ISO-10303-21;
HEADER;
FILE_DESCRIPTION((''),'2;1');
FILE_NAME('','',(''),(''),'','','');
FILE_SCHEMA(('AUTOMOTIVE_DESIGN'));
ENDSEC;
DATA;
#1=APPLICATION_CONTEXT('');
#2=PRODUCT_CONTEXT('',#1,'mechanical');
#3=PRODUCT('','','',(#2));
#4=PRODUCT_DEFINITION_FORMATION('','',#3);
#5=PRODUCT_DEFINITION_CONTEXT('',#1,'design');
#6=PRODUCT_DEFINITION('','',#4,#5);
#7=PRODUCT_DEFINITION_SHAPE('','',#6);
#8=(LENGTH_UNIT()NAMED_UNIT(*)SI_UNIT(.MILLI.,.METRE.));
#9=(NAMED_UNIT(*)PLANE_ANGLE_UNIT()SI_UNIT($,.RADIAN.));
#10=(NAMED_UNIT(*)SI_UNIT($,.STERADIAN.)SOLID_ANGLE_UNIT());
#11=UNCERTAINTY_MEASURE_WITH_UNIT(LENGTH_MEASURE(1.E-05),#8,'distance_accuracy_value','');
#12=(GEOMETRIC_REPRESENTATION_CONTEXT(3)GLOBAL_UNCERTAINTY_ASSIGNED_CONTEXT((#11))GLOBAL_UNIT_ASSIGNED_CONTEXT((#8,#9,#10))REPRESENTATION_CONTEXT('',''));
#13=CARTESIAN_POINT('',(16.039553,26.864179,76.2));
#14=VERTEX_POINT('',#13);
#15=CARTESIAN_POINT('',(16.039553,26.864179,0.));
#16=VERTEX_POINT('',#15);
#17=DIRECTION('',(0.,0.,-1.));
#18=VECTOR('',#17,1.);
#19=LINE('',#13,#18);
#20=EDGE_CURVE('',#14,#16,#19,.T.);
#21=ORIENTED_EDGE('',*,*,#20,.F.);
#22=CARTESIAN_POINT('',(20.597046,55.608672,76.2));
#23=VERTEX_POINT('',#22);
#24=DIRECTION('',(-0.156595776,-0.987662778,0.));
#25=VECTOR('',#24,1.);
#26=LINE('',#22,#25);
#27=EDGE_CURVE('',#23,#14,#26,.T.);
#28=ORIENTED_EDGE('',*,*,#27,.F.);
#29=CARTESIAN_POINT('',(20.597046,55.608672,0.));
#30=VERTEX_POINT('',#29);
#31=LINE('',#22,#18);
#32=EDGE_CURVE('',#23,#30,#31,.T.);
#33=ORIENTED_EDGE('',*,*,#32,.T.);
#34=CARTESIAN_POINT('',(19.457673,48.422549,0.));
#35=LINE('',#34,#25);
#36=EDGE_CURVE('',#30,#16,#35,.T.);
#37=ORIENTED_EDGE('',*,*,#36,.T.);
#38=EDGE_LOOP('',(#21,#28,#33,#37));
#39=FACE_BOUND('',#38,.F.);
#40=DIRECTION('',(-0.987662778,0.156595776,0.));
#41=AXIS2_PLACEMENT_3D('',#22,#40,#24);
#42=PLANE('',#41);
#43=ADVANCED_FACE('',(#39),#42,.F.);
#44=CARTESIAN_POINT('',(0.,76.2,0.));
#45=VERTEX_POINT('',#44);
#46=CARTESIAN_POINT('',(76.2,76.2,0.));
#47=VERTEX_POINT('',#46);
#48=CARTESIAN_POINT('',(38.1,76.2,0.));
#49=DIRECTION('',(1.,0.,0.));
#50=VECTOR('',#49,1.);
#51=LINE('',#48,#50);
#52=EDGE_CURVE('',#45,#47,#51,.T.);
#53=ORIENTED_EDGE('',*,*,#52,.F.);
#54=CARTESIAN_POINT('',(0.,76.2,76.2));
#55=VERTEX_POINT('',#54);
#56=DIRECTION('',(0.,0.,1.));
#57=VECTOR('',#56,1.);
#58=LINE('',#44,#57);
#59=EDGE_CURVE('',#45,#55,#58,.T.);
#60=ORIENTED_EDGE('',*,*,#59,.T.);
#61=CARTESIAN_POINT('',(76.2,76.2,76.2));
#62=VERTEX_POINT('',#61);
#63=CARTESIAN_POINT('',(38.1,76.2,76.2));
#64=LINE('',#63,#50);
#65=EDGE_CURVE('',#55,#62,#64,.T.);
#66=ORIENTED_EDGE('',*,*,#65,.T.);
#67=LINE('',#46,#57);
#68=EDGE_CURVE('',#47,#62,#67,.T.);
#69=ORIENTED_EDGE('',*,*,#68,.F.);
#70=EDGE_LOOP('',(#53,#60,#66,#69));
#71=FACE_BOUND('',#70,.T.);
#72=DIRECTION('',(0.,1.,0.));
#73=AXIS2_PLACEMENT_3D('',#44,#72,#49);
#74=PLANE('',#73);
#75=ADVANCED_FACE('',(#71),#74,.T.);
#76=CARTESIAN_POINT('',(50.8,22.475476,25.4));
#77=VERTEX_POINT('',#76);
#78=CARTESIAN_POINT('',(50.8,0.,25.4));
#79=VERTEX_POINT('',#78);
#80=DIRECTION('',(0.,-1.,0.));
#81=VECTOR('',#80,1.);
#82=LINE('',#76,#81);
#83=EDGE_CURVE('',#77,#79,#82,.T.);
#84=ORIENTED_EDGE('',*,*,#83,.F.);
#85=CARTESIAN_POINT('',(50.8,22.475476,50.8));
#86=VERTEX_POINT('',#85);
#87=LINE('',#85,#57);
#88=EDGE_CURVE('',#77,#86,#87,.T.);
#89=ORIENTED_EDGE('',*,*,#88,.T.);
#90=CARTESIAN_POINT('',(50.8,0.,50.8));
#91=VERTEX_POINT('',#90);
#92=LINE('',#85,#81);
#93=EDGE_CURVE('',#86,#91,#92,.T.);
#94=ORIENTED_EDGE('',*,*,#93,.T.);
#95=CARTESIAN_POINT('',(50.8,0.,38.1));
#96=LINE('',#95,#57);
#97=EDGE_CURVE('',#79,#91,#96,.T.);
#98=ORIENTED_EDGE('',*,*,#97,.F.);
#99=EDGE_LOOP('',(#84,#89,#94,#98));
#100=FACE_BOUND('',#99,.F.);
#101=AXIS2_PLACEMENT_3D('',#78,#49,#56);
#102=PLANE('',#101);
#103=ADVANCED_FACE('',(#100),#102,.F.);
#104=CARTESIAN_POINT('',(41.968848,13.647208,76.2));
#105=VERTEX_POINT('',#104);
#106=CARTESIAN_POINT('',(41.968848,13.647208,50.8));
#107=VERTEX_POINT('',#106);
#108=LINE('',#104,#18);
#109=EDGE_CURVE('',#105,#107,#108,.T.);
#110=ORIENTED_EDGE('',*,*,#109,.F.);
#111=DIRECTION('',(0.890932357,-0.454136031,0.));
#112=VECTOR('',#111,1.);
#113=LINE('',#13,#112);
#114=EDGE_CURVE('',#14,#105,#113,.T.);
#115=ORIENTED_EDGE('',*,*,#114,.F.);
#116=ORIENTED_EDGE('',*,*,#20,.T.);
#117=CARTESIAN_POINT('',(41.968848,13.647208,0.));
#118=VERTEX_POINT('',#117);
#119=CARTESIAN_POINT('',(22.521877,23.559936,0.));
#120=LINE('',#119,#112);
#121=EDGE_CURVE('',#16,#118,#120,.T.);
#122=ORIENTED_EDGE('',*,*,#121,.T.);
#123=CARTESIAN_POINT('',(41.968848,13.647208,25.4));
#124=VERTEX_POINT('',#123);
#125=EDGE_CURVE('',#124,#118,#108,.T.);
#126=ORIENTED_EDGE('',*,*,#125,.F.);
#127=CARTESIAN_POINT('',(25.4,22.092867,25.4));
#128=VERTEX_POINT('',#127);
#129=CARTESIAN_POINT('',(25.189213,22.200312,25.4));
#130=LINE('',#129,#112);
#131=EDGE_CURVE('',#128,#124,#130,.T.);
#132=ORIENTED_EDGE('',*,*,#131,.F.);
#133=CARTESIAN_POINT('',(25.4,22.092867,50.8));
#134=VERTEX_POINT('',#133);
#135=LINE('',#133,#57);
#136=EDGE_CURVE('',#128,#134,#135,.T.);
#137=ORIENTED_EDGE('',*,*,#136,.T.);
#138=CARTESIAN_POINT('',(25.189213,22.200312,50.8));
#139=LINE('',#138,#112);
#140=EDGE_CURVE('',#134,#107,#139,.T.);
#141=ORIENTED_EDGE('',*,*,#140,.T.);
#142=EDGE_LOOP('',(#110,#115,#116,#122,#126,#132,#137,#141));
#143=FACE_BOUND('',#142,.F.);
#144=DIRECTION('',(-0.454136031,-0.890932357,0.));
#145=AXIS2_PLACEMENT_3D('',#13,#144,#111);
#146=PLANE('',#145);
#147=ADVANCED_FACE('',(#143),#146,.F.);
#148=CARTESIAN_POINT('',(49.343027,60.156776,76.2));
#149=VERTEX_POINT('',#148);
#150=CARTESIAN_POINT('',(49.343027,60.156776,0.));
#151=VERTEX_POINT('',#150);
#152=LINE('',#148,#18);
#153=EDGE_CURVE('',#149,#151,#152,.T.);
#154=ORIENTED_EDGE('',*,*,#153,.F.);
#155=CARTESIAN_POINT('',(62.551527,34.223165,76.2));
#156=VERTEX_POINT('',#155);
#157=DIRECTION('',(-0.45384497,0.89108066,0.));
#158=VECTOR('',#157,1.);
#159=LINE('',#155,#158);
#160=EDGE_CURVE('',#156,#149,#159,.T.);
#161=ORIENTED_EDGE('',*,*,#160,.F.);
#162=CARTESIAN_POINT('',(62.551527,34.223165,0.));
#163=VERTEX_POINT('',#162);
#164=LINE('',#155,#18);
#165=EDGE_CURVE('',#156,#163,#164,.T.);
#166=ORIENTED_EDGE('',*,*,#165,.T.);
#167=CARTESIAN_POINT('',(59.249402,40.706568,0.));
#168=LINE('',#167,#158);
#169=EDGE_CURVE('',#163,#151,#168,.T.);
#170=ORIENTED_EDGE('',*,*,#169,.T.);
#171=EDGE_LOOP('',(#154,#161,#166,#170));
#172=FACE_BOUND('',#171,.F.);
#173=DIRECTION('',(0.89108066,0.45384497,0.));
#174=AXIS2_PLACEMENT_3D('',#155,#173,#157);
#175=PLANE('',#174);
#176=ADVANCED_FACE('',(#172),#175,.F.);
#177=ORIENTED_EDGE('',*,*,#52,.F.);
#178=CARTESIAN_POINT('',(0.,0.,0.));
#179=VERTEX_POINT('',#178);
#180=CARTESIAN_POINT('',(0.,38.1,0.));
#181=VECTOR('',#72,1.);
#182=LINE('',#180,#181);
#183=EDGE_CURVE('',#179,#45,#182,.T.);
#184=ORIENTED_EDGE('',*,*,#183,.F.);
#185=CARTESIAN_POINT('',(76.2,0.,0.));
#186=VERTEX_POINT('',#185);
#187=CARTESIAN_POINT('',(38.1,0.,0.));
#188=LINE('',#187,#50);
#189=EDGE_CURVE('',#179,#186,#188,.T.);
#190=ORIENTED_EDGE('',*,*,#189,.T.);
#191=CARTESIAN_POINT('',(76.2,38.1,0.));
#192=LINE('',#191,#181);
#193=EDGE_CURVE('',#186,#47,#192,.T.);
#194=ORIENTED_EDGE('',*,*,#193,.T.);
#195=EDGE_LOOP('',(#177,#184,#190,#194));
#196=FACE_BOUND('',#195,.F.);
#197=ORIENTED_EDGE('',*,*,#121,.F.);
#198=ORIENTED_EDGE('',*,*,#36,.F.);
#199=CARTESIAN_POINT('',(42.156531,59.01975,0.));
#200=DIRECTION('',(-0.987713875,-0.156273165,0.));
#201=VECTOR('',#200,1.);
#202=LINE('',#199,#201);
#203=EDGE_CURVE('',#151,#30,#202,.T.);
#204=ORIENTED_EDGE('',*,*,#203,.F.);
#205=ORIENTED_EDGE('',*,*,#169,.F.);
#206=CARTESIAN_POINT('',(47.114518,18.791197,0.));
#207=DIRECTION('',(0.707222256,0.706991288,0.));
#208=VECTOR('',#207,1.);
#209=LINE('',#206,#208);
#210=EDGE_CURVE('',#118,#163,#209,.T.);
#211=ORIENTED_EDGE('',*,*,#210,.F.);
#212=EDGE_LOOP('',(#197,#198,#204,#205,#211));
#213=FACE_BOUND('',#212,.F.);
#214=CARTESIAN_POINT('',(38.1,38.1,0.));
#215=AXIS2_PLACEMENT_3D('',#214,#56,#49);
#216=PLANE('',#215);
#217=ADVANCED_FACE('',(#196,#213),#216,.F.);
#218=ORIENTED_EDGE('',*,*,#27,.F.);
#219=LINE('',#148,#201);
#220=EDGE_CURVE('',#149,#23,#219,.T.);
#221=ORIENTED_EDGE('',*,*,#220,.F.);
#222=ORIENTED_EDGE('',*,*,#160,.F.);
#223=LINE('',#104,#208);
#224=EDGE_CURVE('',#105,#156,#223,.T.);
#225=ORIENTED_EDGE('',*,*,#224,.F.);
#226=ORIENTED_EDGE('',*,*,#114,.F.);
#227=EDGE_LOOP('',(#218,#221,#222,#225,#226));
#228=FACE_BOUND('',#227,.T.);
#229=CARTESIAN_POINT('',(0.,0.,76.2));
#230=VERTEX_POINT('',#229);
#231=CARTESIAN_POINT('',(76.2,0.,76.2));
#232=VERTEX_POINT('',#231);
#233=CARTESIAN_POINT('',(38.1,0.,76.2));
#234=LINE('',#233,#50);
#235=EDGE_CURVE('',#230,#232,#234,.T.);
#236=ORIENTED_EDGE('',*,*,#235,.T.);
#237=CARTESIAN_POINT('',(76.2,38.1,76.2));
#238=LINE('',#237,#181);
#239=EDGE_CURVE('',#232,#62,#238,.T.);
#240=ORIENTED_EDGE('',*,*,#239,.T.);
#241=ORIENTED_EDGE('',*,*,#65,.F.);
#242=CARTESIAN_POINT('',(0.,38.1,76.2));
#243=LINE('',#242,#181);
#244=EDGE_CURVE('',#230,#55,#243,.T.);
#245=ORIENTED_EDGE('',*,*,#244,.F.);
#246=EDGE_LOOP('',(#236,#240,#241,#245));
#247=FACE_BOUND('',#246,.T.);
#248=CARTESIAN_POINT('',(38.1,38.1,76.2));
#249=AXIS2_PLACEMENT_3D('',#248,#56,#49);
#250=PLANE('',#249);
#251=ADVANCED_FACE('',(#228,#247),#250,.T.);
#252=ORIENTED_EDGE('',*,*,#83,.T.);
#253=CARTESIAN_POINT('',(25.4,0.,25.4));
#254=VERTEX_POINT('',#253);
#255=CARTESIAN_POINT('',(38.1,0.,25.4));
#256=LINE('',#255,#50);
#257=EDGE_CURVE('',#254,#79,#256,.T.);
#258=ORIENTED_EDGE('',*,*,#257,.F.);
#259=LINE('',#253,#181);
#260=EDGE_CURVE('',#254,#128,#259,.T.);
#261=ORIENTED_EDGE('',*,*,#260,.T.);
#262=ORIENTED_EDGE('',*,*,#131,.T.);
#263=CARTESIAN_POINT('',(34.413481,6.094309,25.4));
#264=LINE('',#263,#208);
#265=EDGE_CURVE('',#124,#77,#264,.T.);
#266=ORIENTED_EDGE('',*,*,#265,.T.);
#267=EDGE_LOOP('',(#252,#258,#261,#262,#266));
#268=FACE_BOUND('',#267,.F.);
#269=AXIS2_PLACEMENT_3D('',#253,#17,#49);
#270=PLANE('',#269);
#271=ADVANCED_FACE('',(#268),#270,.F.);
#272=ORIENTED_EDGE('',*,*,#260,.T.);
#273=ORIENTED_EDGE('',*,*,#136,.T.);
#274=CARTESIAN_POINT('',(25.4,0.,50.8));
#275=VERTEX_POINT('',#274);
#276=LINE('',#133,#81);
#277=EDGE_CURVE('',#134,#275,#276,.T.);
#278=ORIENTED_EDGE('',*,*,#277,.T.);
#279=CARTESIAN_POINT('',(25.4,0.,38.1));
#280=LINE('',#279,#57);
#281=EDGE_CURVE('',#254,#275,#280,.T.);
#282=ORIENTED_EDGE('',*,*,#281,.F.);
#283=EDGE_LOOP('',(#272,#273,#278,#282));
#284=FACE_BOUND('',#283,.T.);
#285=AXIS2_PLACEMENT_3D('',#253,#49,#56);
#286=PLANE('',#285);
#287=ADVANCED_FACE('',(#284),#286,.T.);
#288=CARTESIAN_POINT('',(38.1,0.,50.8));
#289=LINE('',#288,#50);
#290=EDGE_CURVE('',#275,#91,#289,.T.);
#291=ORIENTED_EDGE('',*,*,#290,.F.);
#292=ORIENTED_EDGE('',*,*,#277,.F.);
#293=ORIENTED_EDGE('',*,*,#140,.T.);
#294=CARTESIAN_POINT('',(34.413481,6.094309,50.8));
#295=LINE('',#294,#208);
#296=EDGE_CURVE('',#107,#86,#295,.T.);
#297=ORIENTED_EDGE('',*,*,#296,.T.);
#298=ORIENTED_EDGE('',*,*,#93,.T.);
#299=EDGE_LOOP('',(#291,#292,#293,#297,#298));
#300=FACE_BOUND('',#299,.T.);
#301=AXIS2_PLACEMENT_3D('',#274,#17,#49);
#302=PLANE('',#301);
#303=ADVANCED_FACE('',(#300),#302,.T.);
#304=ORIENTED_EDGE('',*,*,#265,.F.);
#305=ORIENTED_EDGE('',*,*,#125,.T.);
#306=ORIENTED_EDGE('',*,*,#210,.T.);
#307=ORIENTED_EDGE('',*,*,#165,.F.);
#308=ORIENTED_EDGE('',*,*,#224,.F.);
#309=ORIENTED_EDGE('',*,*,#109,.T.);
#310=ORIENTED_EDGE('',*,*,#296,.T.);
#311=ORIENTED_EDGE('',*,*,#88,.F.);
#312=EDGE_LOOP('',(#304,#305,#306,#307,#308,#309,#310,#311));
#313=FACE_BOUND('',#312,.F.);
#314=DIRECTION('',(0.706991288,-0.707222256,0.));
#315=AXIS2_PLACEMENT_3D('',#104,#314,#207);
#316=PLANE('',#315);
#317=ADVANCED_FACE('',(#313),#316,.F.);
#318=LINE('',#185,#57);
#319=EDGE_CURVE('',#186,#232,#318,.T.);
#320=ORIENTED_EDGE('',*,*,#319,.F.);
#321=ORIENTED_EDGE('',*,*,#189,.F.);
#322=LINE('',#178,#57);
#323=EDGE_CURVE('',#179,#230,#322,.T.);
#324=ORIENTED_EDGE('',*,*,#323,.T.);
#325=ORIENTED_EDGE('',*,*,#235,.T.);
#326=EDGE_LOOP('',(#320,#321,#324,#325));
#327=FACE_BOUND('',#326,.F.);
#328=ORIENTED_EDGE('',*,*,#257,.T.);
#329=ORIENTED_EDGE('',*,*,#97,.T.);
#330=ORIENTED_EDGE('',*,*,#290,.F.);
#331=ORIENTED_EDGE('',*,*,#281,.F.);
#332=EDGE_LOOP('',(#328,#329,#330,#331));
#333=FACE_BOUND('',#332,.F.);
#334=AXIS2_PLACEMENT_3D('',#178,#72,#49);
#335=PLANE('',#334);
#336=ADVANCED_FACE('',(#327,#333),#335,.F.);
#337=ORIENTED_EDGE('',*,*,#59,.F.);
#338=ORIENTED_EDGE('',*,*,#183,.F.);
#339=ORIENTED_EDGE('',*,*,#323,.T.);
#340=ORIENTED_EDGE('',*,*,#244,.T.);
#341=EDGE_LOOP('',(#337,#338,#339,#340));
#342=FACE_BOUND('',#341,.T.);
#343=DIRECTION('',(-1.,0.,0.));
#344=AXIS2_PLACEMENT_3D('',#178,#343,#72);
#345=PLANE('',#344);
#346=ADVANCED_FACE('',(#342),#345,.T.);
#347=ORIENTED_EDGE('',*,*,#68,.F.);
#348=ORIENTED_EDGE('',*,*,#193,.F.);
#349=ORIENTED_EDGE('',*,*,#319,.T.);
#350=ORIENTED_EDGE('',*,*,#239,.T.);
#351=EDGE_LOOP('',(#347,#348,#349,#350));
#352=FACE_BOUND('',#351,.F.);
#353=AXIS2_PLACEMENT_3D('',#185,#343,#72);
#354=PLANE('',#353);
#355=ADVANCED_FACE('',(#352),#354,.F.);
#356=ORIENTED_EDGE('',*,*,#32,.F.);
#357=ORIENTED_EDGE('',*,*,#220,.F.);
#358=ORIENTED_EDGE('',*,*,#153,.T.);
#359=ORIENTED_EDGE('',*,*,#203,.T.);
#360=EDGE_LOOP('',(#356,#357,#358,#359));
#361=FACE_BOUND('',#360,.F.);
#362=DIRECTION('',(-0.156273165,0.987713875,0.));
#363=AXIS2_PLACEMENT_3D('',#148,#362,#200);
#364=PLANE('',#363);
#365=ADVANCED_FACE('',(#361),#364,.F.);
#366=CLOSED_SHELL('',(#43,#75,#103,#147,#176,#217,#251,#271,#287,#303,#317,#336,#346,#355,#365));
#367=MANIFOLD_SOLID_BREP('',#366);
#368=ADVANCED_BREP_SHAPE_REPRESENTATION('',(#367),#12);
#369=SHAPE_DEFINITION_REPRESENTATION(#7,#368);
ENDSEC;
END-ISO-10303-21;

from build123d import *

# Parameters (mm, degrees)
F0_W     = 76.2
F0_H     = 76.2
F1_DEPTH = 76.2
F3_DEPTH = 76.201
F4_W     = 25.4
F4_H     = 25.4
F5_DEPTH = 12.7
F6_DEPTH = 25.4


with BuildPart() as f1:
    # F0 (on Top) → F1 (new body)
    with BuildSketch(Plane.XY):
        with Locations((38.1, 38.1)):
            Rectangle(F0_W, F0_H)
    extrude(amount=F1_DEPTH)

    # F2 (on face) → F3 (cut, through all)
    with BuildSketch(Plane.XY.offset(76.2)):
        Polygon((41.968848, 13.647208), (62.551527, 34.223165), (49.343027, 60.156776), (20.597046, 55.608672), (16.039553, 26.864179), align=None)
    extrude(amount=-F3_DEPTH, mode=Mode.SUBTRACT)

    # F4 (on face) → F5 (cut)
    with BuildSketch(Plane.XZ):
        with Locations((38.1, 38.1)):
            Rectangle(F4_W, F4_H)
    extrude(amount=-F5_DEPTH, mode=Mode.SUBTRACT)

    # F4 (on face) → F6 (cut)
    with BuildSketch(Plane.XZ):
        with Locations((38.1, 38.1)):
            Rectangle(F4_W, F4_H)
    extrude(amount=-F6_DEPTH, mode=Mode.SUBTRACT)


solid = f1.part
